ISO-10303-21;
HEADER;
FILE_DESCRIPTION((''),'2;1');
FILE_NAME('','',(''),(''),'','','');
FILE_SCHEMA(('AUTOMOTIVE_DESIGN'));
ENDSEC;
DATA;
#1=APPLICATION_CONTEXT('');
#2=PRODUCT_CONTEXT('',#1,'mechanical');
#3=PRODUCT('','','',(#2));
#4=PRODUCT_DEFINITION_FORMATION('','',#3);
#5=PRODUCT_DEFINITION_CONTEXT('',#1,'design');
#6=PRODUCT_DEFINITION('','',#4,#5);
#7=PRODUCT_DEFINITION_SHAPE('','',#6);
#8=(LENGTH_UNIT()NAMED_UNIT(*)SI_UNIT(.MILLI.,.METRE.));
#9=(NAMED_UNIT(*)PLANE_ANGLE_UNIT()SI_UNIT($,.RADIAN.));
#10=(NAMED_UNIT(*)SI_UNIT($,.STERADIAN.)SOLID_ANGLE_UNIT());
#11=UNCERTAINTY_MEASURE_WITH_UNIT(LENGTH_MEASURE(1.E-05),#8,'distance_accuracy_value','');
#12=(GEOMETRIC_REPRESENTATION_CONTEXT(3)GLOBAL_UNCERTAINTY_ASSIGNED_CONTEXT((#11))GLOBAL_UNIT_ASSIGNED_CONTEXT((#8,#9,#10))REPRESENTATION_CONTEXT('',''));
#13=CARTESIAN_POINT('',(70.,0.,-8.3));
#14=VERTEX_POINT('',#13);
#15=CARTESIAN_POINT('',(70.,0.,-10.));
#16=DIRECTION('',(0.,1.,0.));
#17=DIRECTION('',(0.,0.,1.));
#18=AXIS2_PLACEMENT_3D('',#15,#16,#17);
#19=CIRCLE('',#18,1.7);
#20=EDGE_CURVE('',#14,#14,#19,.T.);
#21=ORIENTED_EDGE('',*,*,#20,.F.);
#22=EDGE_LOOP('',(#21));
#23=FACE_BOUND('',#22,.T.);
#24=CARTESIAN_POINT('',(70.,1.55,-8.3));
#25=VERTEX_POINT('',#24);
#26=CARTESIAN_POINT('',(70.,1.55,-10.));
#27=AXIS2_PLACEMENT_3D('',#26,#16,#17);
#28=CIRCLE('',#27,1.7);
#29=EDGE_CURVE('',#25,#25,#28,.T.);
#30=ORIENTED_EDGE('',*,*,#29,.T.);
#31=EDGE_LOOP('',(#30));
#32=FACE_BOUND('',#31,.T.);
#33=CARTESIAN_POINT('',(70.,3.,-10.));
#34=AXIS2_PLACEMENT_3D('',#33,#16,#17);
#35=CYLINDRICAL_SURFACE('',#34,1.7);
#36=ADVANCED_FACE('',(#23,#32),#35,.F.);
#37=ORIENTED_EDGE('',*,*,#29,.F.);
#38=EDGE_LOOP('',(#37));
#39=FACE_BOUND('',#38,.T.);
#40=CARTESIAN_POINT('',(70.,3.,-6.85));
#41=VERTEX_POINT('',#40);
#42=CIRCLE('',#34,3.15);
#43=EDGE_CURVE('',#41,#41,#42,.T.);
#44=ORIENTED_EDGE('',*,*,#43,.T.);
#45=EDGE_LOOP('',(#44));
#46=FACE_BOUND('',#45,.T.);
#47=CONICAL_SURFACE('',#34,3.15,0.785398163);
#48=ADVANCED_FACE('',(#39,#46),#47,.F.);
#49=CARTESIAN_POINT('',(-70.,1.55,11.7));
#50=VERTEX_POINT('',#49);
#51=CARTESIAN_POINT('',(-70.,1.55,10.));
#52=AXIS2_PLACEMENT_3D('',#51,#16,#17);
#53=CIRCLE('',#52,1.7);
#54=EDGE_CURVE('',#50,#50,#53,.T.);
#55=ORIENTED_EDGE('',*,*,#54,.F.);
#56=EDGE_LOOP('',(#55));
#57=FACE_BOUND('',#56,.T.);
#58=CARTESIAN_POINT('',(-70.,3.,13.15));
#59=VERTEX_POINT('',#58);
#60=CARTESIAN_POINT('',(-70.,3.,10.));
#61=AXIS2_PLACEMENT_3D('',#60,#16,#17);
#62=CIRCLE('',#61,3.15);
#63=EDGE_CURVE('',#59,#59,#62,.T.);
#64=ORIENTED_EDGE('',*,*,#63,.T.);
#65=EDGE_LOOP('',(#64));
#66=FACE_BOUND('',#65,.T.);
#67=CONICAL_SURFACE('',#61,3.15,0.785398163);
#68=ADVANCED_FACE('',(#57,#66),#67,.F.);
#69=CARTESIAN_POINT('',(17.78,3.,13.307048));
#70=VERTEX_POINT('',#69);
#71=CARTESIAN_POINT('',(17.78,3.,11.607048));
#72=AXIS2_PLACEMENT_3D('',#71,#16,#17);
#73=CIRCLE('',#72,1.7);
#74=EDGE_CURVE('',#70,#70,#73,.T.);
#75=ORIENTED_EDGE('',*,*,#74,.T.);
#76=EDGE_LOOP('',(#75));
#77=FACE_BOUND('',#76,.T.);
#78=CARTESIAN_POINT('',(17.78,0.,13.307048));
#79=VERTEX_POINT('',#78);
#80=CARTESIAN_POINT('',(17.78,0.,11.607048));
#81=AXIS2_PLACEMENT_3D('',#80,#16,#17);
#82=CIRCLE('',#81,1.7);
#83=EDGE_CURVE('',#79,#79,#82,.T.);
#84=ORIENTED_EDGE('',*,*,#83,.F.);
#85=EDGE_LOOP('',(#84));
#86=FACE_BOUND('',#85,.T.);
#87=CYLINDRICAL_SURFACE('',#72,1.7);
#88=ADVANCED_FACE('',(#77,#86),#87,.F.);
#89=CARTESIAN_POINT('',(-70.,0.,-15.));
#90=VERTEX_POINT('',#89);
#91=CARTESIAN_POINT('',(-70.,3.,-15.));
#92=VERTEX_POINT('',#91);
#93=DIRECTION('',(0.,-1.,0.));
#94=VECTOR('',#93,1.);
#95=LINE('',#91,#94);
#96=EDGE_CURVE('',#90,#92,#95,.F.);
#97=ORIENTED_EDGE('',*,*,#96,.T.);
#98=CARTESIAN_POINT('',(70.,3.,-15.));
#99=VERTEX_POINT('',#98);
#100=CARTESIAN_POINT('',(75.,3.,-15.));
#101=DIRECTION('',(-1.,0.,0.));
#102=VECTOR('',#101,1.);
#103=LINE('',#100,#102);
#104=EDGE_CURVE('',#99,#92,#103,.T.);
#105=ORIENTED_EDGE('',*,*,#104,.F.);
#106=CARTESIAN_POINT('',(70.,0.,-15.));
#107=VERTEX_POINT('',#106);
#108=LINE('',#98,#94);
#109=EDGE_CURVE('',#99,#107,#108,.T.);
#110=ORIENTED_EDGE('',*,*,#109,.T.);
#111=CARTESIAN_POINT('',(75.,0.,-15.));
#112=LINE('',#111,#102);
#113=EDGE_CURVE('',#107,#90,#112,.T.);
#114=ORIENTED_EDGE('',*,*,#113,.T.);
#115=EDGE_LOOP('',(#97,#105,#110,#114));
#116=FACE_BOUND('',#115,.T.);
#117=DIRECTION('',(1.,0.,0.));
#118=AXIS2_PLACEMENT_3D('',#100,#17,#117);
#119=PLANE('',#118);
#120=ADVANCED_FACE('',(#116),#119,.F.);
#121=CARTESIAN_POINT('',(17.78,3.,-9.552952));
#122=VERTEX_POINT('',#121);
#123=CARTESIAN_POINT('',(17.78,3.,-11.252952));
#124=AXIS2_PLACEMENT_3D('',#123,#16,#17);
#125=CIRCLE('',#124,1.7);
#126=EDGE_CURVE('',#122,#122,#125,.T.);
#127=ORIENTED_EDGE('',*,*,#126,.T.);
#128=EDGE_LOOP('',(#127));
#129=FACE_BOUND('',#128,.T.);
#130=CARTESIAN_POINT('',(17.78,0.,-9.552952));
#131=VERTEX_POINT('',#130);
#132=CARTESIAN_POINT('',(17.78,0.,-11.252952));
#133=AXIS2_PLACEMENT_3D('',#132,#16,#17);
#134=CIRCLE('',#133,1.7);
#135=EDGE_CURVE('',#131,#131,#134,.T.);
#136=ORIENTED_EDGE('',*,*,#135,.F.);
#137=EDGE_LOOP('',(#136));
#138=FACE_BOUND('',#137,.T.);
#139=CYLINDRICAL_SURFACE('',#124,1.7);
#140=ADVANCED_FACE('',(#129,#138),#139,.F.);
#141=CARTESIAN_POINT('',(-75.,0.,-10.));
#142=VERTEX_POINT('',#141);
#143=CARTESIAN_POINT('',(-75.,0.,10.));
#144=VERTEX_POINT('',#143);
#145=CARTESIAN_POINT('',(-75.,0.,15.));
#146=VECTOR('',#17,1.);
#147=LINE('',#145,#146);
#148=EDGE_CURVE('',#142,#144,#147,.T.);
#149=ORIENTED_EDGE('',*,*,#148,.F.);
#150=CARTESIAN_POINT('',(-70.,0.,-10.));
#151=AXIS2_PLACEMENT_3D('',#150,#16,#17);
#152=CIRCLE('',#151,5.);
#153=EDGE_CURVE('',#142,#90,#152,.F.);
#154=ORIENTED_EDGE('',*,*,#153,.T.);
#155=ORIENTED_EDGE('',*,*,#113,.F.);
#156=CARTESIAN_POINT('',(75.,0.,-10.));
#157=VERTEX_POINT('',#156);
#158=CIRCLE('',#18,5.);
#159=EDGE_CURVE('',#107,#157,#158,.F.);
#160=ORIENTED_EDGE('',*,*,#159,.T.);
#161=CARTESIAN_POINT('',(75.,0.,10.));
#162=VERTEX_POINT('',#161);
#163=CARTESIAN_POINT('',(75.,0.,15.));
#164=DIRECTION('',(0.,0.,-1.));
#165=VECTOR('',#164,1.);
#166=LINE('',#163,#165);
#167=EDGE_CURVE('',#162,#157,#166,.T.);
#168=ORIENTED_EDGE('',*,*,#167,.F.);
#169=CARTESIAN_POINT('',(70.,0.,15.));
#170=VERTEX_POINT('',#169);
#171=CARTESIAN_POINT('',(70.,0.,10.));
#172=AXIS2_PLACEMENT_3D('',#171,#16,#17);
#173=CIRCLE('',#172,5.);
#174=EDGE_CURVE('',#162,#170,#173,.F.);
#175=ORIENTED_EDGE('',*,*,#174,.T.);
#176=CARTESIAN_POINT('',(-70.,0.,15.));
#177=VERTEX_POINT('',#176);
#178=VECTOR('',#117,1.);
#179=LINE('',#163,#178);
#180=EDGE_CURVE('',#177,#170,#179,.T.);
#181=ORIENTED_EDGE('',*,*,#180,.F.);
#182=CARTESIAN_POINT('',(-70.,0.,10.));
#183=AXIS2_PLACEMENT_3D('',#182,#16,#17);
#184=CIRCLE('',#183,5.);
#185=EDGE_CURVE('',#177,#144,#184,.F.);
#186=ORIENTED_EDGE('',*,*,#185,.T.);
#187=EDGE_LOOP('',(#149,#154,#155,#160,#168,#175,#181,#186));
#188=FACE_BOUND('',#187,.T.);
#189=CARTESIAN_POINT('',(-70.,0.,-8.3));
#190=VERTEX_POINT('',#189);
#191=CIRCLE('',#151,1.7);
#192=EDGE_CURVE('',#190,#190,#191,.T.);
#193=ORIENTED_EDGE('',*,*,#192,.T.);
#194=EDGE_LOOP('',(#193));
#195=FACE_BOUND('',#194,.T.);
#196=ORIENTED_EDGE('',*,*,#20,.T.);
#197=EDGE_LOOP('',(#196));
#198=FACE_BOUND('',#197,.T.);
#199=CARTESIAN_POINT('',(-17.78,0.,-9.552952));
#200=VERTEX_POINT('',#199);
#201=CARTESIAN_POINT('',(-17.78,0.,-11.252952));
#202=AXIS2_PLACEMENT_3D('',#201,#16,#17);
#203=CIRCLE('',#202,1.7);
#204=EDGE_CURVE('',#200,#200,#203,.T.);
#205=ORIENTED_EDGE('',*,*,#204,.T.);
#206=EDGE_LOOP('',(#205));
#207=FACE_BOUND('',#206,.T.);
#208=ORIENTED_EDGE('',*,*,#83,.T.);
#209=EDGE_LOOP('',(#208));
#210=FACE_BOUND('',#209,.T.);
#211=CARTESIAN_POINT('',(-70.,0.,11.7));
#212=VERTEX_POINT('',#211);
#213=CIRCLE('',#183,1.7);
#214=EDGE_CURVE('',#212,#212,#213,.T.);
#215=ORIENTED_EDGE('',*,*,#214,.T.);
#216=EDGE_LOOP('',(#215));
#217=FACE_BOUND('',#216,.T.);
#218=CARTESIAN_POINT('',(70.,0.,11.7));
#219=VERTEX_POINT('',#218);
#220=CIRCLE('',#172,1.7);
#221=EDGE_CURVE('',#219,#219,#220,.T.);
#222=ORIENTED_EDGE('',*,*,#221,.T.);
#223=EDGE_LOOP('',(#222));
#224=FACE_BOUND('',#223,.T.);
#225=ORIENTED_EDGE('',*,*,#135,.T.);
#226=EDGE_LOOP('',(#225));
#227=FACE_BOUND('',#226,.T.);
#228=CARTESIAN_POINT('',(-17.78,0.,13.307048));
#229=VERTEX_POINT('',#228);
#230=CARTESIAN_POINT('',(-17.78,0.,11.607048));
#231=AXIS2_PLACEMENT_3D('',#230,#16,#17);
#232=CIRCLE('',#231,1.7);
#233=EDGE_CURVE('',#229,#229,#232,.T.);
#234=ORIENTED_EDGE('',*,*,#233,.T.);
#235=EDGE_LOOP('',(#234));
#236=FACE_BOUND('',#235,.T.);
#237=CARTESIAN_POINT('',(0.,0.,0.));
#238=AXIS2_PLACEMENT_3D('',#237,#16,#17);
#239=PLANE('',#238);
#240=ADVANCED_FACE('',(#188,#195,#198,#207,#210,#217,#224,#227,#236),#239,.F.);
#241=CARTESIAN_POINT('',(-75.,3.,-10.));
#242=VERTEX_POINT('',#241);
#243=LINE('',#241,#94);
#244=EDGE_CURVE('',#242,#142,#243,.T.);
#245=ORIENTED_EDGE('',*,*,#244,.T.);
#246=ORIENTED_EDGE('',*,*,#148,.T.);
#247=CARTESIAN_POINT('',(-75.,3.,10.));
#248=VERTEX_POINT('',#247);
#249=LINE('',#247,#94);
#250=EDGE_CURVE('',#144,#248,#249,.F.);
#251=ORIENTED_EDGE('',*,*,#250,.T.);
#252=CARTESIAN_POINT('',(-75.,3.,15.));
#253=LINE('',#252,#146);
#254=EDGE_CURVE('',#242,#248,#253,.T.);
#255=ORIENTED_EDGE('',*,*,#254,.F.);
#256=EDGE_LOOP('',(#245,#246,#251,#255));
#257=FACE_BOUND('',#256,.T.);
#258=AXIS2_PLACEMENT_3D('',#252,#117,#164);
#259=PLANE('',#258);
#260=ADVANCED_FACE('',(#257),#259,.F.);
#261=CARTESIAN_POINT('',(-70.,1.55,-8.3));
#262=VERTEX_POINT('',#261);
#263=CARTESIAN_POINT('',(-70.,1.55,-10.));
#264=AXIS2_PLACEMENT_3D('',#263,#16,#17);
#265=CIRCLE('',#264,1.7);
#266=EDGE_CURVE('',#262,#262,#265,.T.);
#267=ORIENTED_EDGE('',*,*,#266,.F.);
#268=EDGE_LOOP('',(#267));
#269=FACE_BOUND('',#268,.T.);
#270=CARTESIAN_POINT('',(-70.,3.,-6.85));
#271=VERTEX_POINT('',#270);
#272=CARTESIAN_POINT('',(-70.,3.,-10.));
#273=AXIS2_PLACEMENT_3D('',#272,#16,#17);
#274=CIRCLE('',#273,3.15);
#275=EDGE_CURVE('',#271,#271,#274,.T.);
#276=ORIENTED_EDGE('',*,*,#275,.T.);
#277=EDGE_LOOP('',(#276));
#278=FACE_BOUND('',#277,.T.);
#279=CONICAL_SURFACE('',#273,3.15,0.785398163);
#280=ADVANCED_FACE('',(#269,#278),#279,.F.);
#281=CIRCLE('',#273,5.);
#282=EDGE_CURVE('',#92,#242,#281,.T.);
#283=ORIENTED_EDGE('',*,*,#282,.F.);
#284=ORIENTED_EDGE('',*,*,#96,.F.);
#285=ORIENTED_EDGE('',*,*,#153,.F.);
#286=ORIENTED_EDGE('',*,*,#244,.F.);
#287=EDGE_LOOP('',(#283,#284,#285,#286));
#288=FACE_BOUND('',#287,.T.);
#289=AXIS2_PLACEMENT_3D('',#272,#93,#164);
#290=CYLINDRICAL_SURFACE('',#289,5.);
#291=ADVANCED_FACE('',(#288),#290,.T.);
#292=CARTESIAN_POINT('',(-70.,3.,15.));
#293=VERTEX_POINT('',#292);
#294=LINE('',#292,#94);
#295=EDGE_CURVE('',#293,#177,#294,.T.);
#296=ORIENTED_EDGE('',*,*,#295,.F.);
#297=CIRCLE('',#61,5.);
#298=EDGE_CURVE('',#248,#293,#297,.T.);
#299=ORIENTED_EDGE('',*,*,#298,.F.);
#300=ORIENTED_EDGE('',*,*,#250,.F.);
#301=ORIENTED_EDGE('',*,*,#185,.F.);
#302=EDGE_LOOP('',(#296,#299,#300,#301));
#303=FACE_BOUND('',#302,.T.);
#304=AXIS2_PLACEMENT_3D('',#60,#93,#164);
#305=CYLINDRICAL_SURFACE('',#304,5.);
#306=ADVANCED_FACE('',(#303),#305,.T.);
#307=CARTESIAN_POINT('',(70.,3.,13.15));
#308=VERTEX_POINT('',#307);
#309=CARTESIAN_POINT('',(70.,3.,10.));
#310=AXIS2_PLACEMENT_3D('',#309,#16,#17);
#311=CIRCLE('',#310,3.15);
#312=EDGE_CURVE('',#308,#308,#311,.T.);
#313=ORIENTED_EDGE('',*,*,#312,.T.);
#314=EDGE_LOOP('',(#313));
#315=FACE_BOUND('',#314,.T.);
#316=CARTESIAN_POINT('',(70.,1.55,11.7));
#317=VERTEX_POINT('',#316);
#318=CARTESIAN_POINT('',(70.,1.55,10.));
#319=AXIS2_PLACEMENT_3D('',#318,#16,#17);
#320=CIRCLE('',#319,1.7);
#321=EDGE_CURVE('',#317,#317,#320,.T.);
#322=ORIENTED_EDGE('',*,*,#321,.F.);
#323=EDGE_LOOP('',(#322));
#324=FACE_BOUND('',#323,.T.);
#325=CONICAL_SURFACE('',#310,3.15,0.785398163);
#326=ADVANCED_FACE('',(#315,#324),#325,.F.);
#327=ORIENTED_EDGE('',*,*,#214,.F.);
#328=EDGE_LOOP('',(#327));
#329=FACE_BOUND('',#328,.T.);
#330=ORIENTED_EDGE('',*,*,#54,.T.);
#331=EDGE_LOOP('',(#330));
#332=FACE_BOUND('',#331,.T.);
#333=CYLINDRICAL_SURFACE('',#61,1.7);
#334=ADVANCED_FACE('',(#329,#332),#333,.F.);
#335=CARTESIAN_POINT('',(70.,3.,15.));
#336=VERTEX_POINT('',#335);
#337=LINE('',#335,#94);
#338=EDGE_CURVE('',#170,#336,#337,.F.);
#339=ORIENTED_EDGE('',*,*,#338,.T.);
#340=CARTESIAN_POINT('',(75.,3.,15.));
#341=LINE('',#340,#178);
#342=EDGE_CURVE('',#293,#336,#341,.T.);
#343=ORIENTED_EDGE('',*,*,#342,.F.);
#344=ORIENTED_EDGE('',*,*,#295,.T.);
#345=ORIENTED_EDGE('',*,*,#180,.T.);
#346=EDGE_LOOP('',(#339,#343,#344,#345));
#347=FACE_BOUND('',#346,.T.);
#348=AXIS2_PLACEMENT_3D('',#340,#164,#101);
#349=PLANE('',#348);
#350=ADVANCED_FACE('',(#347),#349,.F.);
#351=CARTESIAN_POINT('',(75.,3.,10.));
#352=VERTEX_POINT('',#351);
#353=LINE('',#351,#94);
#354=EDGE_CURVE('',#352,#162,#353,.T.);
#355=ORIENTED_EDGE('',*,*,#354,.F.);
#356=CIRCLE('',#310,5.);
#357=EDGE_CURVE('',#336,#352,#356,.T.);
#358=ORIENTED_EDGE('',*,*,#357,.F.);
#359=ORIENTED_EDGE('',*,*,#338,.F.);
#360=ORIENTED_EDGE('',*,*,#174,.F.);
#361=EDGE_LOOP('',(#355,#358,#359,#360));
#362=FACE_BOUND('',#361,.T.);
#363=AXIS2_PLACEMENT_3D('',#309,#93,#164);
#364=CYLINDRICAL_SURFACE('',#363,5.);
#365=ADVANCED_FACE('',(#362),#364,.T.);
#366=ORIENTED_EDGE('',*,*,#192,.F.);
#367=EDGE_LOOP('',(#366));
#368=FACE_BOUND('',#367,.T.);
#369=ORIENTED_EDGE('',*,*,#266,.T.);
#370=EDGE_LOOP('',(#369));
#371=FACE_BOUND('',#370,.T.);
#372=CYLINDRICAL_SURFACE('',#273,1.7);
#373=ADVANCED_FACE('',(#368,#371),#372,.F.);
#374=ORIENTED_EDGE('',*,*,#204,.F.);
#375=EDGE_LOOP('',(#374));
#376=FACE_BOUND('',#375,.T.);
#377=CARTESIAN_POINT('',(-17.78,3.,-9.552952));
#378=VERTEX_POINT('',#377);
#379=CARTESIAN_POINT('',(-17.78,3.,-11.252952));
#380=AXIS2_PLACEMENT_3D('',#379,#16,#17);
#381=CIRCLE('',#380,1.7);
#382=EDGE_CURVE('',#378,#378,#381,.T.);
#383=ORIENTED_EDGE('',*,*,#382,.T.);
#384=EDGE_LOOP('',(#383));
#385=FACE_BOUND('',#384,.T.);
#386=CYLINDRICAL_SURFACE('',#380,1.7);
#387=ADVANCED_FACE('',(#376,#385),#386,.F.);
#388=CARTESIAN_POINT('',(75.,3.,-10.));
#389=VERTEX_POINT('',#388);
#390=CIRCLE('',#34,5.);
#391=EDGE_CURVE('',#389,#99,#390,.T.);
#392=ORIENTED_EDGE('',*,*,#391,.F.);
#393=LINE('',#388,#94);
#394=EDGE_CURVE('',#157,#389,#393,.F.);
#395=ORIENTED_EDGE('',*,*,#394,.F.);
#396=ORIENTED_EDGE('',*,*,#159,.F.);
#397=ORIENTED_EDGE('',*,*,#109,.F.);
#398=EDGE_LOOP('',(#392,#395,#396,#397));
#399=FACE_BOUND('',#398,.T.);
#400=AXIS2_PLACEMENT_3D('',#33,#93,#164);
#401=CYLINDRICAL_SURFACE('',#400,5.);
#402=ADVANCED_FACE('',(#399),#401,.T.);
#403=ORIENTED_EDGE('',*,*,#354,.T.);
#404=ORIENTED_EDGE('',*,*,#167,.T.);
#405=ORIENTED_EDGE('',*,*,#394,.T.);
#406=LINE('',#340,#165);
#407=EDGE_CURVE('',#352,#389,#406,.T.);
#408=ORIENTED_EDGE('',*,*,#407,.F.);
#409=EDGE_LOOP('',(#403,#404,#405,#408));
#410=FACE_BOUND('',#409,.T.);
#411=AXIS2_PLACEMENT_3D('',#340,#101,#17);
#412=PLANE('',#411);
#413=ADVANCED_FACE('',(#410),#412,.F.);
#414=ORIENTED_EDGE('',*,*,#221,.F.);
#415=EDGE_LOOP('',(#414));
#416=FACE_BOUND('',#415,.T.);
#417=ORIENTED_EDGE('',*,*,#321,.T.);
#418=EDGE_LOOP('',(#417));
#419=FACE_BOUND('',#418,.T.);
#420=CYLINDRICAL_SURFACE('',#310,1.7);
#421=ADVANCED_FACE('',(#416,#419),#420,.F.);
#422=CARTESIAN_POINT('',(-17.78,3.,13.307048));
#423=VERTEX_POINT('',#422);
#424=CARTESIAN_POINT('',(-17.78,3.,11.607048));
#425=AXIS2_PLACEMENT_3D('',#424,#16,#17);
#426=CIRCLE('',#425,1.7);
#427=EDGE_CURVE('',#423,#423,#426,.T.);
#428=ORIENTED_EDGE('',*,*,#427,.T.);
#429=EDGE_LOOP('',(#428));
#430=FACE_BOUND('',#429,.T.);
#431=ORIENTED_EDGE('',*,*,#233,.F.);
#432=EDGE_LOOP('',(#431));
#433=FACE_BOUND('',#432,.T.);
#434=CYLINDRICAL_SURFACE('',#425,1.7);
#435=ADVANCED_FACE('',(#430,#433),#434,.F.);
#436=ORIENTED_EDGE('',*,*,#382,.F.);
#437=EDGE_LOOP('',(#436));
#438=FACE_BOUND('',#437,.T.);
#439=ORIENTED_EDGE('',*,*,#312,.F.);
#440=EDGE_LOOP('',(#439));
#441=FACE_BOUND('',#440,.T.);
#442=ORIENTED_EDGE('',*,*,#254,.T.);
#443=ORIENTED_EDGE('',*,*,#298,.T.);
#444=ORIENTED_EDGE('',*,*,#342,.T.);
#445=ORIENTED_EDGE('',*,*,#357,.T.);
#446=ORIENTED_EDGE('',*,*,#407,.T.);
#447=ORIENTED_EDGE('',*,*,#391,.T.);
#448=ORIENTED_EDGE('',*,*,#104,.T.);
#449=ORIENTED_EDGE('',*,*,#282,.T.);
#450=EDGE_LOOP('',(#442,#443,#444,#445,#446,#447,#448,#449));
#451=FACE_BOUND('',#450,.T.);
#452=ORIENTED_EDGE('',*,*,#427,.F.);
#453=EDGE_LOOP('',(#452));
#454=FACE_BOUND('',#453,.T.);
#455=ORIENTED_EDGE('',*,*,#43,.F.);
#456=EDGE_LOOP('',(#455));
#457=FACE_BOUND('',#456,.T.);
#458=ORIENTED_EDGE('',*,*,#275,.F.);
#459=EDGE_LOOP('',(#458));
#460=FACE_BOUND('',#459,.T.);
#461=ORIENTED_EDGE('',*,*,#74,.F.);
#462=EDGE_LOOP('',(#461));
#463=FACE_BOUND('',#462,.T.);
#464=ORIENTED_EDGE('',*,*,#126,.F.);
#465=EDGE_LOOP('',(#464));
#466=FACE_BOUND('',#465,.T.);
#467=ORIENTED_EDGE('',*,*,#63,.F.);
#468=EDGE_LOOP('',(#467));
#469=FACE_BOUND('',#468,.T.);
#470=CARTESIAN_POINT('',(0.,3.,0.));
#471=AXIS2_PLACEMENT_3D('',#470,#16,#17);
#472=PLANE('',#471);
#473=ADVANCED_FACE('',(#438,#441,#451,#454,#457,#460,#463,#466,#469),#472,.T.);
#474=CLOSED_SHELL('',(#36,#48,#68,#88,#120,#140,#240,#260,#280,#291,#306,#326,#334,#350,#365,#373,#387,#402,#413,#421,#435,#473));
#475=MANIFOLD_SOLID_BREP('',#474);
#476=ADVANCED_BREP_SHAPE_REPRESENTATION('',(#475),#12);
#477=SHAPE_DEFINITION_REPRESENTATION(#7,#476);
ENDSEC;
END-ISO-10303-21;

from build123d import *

# Parameters (mm, degrees)
SCHIZZO1_W                            = 150
SCHIZZO1_H                            = 30
ESTRUSIONE_ESTRUSIONE1_DEPTH          = 3
FORO_SVASATO_PER_VITE_M3_1_AT_2_COUNT = 2
FORO_SVASATO_PER_VITE_M3_1_AT_2_PITCH = 20
FORO_SVASATO_PER_VITE_M3_1_AT_3_COUNT = 2
FORO_SVASATO_PER_VITE_M3_1_AT_3_PITCH = 141.421356237
FORO_SVASATO_PER_VITE_M3_1_AT_4_COUNT = 2
FORO_SVASATO_PER_VITE_M3_1_AT_4_PITCH = 140
RACCORDO1_R                           = 5
FORO_PER_VITE_M3_1_D                  = 3.4


with BuildPart() as part:
    # Schizzo1 → Estrusione-Estrusione1 (new body)
    with BuildSketch(Plane(origin=(0, 0, 0), x_dir=(1, 0, 0), z_dir=(0, 1, 0))):
        Rectangle(SCHIZZO1_W, SCHIZZO1_H)
    extrude(amount=ESTRUSIONE_ESTRUSIONE1_DEPTH)

    # Schizzo2 → Foro svasato per Vite M3-1 (revolve, cut)
    with BuildSketch(Plane(origin=(-70, 3, -10), x_dir=(0, 0, 1), z_dir=(1, 0, 0))):
        Polygon((0, 0), (0, 3), (1.7, 3), (1.7, 1.45), (3.15, 0), align=None)
    foro_svasato_per_vite_m3_1 = revolve(axis=Axis((-70, 9.35, -10), (0, -1, 0)), mode=Mode.SUBTRACT)

    # Foro svasato per Vite M3-1 at 2: Foro svasato per Vite M3-1 ×2
    with Locations(*[(0, 0, i * FORO_SVASATO_PER_VITE_M3_1_AT_2_PITCH) for i in range(1, FORO_SVASATO_PER_VITE_M3_1_AT_2_COUNT)]):
        add(foro_svasato_per_vite_m3_1, mode=Mode.SUBTRACT)

    # Foro svasato per Vite M3-1 at 3: Foro svasato per Vite M3-1 ×2
    with Locations(*[Vector(0.9899494936611667, 0, 0.1414213562373092) * (i * FORO_SVASATO_PER_VITE_M3_1_AT_3_PITCH) for i in range(1, FORO_SVASATO_PER_VITE_M3_1_AT_3_COUNT)]):
        add(foro_svasato_per_vite_m3_1, mode=Mode.SUBTRACT)

    # Foro svasato per Vite M3-1 at 4: Foro svasato per Vite M3-1 ×2
    with Locations(*[(i * FORO_SVASATO_PER_VITE_M3_1_AT_4_PITCH, 0, 0) for i in range(1, FORO_SVASATO_PER_VITE_M3_1_AT_4_COUNT)]):
        add(foro_svasato_per_vite_m3_1, mode=Mode.SUBTRACT)

    # Raccordo1
    raccordo1_edges = [part.edges().sort_by_distance(p)[0] for p in [
        (-75, 1.5, -15),
        (75, 1.5, -15),
        (75, 1.5, 15),
        (-75, 1.5, 15),
    ]]
    fillet(raccordo1_edges, radius=RACCORDO1_R)

    # Foro per Vite M3-1 (through all)
    with Locations(Plane(origin=(0, 3, 0), x_dir=(1, 0, 0), z_dir=(0, 1, 0))):
        with Locations((17.78, -11.607048139), (-17.78, -11.607048139), (-17.78, 11.252951861), (17.78, 11.252951861)):
            Hole(FORO_PER_VITE_M3_1_D / 2)


solid = part.part
